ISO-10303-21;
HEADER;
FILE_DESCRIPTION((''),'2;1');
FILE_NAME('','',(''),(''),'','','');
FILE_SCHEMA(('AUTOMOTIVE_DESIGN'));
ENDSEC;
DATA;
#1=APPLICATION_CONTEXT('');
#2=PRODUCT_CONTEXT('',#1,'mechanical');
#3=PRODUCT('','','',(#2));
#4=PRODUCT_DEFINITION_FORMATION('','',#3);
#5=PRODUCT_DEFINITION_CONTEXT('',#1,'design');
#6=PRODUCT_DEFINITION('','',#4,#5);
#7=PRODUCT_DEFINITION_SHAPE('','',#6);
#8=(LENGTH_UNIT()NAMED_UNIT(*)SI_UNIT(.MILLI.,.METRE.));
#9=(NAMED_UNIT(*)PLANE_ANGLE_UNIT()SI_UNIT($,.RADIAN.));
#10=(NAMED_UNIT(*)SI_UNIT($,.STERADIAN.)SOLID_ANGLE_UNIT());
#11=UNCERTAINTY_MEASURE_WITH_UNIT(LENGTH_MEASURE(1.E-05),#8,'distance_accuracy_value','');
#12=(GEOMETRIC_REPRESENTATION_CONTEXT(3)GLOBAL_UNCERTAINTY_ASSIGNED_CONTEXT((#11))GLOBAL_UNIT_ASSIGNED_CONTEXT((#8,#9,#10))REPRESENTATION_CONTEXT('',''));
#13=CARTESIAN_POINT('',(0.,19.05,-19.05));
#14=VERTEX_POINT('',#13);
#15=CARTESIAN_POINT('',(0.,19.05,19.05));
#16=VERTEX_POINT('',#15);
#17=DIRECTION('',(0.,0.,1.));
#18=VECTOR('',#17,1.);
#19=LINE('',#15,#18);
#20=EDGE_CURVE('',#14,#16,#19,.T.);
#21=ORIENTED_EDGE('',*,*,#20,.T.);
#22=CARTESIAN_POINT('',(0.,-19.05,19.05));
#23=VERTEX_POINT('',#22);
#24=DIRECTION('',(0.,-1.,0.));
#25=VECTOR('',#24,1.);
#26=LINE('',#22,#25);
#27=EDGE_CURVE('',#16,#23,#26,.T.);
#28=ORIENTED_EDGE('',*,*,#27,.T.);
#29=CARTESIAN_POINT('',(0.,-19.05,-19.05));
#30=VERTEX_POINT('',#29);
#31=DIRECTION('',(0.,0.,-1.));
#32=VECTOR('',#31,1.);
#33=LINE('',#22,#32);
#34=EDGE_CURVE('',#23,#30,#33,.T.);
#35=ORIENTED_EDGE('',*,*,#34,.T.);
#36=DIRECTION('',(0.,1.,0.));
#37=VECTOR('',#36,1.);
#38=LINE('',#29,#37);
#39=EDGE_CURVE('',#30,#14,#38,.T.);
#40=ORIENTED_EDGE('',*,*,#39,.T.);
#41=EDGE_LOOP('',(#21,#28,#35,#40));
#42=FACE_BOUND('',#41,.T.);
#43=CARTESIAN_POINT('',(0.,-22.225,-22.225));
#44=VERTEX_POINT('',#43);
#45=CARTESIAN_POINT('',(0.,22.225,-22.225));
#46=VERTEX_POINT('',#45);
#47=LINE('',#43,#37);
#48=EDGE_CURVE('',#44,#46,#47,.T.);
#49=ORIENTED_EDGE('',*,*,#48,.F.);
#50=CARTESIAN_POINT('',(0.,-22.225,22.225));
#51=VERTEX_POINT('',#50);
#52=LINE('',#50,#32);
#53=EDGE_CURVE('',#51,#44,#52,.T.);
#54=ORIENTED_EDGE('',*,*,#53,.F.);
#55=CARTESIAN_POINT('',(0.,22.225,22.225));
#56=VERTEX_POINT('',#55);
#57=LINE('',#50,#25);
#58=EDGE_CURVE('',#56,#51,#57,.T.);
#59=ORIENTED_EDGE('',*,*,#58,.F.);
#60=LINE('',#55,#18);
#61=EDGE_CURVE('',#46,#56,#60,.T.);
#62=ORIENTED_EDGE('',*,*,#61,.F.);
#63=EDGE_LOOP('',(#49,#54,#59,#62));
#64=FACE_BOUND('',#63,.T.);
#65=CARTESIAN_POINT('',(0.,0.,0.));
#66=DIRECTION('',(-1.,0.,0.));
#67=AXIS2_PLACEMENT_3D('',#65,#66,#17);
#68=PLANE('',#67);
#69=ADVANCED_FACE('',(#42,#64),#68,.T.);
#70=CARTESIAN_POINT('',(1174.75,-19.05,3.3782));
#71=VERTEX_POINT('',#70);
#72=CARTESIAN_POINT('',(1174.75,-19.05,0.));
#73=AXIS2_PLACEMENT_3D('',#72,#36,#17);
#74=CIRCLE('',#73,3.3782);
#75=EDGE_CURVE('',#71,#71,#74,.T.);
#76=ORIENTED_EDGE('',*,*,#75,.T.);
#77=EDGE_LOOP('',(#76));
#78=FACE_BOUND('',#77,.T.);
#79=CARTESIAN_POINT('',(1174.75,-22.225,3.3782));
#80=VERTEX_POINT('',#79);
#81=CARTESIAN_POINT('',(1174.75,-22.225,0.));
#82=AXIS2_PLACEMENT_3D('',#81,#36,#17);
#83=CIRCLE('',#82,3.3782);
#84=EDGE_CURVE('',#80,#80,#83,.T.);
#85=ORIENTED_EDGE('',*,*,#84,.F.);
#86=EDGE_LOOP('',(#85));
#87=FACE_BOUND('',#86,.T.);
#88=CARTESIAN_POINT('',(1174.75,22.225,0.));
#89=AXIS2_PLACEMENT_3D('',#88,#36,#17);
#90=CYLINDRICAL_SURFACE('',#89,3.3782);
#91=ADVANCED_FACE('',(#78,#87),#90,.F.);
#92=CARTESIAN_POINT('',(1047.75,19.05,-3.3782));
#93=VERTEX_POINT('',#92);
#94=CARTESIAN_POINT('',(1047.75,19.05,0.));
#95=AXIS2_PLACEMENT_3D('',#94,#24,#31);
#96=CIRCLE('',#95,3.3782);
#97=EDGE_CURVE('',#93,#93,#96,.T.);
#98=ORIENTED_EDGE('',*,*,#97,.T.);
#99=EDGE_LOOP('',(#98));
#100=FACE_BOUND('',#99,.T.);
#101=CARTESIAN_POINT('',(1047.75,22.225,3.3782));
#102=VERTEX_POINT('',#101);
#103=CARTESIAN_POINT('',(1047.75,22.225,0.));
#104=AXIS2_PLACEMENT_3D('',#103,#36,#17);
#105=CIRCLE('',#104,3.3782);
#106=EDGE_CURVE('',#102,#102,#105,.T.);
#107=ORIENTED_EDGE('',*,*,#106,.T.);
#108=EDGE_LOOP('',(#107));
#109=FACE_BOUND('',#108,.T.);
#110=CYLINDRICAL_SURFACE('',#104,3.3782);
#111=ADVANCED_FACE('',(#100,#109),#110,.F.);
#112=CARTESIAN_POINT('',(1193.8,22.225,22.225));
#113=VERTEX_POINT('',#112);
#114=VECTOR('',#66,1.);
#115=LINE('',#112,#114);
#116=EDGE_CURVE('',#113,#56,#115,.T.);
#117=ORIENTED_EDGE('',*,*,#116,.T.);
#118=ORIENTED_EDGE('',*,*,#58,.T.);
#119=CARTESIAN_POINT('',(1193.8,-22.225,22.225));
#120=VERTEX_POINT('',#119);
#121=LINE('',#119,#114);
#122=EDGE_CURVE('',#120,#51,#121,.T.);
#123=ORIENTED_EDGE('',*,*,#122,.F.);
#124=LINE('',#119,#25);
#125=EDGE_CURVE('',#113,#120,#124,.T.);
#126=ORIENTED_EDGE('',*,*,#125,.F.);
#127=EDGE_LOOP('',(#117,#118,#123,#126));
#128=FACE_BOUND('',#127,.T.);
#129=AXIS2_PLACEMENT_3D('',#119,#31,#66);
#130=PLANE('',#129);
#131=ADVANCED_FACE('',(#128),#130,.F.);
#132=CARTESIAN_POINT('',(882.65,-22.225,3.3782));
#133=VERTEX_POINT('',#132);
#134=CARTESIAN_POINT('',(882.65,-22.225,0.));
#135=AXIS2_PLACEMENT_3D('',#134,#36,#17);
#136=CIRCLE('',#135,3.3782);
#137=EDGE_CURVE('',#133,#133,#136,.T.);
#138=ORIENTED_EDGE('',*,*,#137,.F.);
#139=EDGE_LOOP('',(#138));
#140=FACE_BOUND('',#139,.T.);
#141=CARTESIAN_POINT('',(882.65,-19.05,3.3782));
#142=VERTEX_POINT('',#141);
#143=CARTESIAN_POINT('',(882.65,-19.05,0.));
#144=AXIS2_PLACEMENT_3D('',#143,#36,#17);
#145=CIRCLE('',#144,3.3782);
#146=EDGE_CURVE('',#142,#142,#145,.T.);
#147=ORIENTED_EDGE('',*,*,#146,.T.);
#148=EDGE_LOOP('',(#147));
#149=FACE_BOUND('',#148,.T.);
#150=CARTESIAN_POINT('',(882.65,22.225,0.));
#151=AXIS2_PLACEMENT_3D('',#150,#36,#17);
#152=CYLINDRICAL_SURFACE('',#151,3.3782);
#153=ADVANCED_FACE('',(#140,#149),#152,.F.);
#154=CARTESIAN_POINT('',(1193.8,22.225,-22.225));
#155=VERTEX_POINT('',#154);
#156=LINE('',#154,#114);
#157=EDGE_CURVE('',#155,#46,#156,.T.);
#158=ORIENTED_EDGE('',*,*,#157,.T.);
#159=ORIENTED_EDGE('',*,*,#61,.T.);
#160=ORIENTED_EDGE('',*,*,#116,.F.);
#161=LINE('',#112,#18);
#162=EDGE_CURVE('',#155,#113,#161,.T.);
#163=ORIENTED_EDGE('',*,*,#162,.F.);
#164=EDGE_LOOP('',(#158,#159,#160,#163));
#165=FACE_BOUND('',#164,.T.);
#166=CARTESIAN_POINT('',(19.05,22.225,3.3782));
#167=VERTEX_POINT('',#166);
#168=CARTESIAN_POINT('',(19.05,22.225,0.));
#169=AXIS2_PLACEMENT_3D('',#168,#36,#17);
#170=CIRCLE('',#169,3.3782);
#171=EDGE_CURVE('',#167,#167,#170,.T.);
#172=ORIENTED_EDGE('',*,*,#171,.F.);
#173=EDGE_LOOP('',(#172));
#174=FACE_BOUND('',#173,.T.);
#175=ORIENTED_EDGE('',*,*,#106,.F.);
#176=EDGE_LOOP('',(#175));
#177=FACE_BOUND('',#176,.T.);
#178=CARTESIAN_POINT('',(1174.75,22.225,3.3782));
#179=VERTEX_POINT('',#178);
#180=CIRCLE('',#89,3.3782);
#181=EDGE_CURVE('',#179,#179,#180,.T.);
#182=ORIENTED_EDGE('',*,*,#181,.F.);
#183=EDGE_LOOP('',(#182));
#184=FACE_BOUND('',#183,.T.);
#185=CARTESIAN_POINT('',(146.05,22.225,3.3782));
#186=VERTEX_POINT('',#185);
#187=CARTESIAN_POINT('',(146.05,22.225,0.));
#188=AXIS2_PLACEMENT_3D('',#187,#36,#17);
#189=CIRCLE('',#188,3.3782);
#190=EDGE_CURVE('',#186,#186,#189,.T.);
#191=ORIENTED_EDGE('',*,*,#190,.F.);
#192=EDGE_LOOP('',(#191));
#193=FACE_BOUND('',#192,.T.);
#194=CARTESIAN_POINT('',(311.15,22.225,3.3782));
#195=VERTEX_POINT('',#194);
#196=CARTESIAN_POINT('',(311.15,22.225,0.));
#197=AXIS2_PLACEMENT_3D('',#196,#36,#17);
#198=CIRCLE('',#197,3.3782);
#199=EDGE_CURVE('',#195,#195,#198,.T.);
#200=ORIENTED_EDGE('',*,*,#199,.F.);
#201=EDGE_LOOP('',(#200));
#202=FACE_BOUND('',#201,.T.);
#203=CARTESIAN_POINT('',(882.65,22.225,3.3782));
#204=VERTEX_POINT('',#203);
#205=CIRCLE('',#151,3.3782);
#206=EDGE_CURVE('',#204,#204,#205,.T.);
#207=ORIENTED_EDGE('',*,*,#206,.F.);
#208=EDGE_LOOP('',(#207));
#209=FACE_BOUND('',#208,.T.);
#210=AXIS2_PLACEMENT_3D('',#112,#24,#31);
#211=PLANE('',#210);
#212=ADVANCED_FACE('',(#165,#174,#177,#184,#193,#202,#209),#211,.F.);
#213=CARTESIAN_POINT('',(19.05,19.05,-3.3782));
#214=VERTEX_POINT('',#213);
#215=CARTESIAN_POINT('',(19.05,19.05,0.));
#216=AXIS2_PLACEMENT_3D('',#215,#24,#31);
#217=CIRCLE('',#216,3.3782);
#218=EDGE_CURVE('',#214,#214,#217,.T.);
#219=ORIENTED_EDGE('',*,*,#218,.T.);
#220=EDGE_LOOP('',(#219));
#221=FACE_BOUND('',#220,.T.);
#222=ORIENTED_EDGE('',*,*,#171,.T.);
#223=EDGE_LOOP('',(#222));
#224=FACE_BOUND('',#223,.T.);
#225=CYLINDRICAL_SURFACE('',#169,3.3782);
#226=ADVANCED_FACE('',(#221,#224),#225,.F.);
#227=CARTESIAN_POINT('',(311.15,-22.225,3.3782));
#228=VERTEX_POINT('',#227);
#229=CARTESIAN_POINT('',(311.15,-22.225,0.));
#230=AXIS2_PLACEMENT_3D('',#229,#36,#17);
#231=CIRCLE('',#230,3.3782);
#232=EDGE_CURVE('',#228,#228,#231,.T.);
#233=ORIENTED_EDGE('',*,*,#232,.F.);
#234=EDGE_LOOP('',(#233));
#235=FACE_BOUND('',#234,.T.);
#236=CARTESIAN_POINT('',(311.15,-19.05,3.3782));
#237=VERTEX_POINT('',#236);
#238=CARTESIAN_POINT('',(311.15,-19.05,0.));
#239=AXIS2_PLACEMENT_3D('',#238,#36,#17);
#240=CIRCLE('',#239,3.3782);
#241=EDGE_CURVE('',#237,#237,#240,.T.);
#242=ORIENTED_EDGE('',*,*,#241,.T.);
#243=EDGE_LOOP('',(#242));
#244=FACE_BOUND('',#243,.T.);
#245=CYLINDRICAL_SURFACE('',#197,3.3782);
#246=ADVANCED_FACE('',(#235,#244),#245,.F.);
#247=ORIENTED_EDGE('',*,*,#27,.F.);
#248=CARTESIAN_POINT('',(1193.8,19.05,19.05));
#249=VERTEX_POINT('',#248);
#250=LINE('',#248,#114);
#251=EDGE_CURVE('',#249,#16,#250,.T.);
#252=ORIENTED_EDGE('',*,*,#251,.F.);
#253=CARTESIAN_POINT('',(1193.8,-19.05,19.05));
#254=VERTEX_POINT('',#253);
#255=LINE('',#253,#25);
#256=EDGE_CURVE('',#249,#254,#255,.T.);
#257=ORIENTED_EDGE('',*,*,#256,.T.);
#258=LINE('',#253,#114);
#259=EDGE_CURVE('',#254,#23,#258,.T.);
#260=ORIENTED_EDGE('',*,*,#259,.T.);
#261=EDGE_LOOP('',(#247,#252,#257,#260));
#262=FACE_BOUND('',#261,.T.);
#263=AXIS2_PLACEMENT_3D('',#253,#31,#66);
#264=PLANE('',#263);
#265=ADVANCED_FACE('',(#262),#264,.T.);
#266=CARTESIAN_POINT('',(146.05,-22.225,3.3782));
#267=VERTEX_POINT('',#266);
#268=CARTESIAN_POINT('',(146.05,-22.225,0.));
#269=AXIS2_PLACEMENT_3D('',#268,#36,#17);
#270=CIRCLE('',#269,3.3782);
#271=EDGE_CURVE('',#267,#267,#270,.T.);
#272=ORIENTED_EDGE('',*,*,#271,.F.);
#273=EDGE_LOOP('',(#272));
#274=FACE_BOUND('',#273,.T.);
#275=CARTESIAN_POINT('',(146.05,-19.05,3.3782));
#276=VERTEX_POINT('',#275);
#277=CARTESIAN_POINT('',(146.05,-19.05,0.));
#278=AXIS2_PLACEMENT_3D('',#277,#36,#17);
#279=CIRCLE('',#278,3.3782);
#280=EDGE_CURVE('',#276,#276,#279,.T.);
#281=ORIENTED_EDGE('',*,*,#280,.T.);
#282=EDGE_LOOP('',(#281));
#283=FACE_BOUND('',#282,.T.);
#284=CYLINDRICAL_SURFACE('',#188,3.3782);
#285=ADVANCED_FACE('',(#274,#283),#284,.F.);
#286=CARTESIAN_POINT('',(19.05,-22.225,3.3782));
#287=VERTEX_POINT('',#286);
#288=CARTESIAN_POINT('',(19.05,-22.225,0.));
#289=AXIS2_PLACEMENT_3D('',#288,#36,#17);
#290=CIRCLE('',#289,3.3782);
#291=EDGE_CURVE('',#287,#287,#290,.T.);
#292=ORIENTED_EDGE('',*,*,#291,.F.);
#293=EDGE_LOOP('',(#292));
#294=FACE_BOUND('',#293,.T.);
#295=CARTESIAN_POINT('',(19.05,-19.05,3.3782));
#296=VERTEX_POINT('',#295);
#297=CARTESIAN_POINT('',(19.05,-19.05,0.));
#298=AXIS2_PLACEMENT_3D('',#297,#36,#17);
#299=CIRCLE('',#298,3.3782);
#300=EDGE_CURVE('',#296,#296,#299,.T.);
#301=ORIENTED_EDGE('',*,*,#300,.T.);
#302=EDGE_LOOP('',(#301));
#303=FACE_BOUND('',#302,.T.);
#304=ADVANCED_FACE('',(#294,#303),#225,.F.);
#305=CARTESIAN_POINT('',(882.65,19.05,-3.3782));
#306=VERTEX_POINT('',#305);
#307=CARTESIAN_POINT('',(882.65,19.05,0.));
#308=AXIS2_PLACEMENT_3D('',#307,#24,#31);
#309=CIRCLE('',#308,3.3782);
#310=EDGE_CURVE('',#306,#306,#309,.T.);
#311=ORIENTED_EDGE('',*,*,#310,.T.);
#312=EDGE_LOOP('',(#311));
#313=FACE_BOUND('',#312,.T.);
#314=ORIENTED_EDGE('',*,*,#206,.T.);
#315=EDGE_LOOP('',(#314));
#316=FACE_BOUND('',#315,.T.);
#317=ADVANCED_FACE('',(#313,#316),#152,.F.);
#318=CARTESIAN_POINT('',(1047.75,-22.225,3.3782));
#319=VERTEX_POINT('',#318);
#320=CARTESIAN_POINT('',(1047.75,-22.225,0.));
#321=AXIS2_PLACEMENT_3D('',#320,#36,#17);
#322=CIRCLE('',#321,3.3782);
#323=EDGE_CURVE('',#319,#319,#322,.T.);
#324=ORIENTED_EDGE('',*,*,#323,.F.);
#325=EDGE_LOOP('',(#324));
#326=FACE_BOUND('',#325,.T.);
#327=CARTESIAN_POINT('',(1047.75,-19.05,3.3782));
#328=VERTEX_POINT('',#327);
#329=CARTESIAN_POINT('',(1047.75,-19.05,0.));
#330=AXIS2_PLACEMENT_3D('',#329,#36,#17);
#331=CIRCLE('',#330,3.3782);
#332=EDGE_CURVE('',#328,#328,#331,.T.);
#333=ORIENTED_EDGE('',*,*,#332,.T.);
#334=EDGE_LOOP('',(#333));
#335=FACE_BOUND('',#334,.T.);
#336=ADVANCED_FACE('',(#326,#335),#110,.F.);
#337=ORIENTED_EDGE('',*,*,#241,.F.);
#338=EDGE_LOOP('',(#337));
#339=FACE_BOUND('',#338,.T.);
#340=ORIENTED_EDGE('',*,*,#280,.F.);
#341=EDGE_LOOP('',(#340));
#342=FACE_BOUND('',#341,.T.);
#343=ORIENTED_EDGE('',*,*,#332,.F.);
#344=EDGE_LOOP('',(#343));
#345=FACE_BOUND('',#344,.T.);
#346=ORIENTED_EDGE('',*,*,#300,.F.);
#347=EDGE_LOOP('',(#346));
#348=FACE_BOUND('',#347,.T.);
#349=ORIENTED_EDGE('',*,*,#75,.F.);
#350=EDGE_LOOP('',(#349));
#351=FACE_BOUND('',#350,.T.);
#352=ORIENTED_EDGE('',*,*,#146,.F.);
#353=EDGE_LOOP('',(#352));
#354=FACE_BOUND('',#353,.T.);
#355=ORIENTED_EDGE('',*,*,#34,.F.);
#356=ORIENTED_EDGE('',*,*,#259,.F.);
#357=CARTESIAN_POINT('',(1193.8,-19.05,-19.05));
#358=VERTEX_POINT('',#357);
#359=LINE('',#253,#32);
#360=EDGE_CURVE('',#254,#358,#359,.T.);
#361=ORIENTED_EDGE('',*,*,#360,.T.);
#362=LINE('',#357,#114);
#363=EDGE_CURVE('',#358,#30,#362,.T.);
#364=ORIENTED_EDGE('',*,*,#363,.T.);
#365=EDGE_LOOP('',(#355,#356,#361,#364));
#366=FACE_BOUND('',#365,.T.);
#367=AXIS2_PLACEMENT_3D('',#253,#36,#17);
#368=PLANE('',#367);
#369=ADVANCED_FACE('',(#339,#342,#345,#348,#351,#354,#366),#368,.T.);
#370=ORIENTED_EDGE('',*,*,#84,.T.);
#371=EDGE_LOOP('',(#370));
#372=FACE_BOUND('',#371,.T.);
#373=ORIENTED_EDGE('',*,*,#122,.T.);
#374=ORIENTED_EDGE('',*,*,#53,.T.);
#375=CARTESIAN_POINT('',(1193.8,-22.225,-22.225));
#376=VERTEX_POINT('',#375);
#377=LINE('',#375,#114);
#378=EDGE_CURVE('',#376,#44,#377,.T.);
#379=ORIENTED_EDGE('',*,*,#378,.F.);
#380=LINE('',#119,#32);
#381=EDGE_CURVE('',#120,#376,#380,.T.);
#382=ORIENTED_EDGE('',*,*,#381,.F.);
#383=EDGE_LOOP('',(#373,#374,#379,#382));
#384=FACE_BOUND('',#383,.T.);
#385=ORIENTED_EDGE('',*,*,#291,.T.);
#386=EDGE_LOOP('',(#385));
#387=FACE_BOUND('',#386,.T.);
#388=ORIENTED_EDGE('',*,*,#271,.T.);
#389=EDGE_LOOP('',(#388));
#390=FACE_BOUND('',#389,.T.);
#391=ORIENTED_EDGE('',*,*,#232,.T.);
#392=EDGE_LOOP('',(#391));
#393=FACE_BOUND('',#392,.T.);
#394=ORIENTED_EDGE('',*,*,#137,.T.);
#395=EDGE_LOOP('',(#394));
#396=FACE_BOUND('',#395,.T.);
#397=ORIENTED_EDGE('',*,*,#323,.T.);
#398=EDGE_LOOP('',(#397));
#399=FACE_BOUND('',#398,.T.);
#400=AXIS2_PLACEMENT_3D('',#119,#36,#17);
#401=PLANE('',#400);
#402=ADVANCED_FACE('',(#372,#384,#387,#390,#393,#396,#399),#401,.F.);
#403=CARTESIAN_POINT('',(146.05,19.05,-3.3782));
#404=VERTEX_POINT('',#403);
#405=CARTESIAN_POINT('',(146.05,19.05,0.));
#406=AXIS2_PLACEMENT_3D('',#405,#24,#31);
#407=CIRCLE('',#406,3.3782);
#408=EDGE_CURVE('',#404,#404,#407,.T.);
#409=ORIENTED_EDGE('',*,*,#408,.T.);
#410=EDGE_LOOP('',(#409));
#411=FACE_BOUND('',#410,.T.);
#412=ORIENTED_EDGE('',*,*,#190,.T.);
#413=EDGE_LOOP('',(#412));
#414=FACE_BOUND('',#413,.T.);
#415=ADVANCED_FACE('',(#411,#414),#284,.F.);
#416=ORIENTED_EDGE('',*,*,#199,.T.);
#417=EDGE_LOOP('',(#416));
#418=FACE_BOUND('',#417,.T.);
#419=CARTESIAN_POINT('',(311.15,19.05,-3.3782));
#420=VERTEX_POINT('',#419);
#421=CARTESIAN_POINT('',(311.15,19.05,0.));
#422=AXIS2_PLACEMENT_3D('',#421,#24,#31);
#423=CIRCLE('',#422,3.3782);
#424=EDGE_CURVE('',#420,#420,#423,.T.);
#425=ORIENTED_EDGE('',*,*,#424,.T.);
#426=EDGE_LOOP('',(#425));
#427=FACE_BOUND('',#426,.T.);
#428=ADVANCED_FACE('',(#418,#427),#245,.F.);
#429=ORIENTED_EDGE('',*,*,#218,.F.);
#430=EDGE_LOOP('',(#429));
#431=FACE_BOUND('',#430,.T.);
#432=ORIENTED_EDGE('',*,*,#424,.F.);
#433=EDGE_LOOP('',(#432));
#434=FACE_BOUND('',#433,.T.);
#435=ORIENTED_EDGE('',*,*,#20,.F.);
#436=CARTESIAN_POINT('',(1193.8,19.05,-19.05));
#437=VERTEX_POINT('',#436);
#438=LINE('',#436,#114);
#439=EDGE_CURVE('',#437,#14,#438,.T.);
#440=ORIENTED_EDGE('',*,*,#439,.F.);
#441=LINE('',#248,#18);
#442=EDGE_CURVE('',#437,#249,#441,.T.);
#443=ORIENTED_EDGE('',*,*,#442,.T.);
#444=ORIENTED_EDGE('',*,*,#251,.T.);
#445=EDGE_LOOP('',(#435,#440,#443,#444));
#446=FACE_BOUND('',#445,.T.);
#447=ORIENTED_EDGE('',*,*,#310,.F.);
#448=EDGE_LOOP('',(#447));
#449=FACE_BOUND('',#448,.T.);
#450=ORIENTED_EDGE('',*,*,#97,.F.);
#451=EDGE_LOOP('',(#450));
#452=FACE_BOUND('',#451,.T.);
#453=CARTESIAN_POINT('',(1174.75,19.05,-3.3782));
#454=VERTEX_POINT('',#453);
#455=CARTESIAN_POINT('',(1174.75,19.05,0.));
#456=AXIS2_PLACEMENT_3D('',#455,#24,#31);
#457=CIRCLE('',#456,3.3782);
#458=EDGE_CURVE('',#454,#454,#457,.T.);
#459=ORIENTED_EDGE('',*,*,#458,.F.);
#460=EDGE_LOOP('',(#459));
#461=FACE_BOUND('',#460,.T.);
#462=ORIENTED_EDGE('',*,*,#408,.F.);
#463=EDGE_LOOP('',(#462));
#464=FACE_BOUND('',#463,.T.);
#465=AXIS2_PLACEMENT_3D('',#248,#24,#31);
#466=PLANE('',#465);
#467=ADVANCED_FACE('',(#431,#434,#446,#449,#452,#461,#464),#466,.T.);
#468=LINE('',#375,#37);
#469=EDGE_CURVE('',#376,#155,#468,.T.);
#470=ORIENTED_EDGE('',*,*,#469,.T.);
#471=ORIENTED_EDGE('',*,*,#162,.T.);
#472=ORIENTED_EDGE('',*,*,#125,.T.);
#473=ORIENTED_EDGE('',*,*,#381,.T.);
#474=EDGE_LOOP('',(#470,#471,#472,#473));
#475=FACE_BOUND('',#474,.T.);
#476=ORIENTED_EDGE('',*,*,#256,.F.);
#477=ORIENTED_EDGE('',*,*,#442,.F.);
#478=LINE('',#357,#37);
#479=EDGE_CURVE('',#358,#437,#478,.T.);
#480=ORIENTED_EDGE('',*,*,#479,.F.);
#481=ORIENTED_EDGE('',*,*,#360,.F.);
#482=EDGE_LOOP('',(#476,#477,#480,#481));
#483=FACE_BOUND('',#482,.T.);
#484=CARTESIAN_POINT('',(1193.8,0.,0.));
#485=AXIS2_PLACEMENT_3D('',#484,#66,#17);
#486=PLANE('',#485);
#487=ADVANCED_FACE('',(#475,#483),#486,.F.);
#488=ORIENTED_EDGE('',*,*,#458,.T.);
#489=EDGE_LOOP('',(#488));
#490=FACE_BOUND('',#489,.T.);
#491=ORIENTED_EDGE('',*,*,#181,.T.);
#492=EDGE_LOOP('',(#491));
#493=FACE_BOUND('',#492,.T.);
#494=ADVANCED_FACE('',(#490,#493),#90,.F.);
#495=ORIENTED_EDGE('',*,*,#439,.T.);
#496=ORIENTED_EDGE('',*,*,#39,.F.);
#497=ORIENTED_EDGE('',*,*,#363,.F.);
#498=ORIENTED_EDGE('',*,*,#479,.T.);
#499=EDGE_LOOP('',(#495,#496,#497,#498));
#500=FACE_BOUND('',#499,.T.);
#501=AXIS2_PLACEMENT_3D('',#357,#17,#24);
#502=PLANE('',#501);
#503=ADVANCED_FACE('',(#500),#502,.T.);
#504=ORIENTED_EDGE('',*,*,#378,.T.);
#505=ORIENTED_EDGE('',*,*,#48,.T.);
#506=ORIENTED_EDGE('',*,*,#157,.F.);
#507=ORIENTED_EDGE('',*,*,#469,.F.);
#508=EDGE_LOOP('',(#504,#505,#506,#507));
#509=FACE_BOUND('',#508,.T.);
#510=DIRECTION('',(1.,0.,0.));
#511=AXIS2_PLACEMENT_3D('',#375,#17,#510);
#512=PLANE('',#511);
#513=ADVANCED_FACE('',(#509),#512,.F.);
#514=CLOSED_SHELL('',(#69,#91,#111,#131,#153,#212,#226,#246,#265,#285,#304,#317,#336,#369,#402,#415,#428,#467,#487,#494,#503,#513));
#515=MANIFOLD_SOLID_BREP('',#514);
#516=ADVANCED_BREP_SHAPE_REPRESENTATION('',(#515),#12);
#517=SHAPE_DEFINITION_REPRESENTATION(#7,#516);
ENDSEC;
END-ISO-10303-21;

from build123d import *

# Parameters (mm, degrees)
SKETCH1_W               = 44.45
SKETCH1_H               = 44.45
SKETCH1_W_2             = 38.1
SKETCH1_H_2             = 38.1
BOSS_EXTRUDE1_DEPTH     = 1193.8
F_1_4_CLEARANCE_HOLE1_D = 6.7564


with BuildPart() as part:
    # Sketch1 → Boss-Extrude1 (new body)
    with BuildSketch(Plane(origin=(0, 0, 0), x_dir=(0, 0, -1), z_dir=(1, 0, 0))):
        Rectangle(SKETCH1_W, SKETCH1_H)
        Rectangle(SKETCH1_W_2, SKETCH1_H_2, mode=Mode.SUBTRACT)
    extrude(amount=BOSS_EXTRUDE1_DEPTH)

    # 1/4 Clearance Hole1 (through all)
    with Locations(Plane(origin=(0, 22.225, 0), x_dir=(1, 0, 0), z_dir=(0, 1, 0))):
        with Locations((311.15, 0), (146.05, 0), (19.05, 0), (1174.75, 0), (1047.75, 0), (882.65, 0)):
            Hole(F_1_4_CLEARANCE_HOLE1_D / 2)


solid = part.part
